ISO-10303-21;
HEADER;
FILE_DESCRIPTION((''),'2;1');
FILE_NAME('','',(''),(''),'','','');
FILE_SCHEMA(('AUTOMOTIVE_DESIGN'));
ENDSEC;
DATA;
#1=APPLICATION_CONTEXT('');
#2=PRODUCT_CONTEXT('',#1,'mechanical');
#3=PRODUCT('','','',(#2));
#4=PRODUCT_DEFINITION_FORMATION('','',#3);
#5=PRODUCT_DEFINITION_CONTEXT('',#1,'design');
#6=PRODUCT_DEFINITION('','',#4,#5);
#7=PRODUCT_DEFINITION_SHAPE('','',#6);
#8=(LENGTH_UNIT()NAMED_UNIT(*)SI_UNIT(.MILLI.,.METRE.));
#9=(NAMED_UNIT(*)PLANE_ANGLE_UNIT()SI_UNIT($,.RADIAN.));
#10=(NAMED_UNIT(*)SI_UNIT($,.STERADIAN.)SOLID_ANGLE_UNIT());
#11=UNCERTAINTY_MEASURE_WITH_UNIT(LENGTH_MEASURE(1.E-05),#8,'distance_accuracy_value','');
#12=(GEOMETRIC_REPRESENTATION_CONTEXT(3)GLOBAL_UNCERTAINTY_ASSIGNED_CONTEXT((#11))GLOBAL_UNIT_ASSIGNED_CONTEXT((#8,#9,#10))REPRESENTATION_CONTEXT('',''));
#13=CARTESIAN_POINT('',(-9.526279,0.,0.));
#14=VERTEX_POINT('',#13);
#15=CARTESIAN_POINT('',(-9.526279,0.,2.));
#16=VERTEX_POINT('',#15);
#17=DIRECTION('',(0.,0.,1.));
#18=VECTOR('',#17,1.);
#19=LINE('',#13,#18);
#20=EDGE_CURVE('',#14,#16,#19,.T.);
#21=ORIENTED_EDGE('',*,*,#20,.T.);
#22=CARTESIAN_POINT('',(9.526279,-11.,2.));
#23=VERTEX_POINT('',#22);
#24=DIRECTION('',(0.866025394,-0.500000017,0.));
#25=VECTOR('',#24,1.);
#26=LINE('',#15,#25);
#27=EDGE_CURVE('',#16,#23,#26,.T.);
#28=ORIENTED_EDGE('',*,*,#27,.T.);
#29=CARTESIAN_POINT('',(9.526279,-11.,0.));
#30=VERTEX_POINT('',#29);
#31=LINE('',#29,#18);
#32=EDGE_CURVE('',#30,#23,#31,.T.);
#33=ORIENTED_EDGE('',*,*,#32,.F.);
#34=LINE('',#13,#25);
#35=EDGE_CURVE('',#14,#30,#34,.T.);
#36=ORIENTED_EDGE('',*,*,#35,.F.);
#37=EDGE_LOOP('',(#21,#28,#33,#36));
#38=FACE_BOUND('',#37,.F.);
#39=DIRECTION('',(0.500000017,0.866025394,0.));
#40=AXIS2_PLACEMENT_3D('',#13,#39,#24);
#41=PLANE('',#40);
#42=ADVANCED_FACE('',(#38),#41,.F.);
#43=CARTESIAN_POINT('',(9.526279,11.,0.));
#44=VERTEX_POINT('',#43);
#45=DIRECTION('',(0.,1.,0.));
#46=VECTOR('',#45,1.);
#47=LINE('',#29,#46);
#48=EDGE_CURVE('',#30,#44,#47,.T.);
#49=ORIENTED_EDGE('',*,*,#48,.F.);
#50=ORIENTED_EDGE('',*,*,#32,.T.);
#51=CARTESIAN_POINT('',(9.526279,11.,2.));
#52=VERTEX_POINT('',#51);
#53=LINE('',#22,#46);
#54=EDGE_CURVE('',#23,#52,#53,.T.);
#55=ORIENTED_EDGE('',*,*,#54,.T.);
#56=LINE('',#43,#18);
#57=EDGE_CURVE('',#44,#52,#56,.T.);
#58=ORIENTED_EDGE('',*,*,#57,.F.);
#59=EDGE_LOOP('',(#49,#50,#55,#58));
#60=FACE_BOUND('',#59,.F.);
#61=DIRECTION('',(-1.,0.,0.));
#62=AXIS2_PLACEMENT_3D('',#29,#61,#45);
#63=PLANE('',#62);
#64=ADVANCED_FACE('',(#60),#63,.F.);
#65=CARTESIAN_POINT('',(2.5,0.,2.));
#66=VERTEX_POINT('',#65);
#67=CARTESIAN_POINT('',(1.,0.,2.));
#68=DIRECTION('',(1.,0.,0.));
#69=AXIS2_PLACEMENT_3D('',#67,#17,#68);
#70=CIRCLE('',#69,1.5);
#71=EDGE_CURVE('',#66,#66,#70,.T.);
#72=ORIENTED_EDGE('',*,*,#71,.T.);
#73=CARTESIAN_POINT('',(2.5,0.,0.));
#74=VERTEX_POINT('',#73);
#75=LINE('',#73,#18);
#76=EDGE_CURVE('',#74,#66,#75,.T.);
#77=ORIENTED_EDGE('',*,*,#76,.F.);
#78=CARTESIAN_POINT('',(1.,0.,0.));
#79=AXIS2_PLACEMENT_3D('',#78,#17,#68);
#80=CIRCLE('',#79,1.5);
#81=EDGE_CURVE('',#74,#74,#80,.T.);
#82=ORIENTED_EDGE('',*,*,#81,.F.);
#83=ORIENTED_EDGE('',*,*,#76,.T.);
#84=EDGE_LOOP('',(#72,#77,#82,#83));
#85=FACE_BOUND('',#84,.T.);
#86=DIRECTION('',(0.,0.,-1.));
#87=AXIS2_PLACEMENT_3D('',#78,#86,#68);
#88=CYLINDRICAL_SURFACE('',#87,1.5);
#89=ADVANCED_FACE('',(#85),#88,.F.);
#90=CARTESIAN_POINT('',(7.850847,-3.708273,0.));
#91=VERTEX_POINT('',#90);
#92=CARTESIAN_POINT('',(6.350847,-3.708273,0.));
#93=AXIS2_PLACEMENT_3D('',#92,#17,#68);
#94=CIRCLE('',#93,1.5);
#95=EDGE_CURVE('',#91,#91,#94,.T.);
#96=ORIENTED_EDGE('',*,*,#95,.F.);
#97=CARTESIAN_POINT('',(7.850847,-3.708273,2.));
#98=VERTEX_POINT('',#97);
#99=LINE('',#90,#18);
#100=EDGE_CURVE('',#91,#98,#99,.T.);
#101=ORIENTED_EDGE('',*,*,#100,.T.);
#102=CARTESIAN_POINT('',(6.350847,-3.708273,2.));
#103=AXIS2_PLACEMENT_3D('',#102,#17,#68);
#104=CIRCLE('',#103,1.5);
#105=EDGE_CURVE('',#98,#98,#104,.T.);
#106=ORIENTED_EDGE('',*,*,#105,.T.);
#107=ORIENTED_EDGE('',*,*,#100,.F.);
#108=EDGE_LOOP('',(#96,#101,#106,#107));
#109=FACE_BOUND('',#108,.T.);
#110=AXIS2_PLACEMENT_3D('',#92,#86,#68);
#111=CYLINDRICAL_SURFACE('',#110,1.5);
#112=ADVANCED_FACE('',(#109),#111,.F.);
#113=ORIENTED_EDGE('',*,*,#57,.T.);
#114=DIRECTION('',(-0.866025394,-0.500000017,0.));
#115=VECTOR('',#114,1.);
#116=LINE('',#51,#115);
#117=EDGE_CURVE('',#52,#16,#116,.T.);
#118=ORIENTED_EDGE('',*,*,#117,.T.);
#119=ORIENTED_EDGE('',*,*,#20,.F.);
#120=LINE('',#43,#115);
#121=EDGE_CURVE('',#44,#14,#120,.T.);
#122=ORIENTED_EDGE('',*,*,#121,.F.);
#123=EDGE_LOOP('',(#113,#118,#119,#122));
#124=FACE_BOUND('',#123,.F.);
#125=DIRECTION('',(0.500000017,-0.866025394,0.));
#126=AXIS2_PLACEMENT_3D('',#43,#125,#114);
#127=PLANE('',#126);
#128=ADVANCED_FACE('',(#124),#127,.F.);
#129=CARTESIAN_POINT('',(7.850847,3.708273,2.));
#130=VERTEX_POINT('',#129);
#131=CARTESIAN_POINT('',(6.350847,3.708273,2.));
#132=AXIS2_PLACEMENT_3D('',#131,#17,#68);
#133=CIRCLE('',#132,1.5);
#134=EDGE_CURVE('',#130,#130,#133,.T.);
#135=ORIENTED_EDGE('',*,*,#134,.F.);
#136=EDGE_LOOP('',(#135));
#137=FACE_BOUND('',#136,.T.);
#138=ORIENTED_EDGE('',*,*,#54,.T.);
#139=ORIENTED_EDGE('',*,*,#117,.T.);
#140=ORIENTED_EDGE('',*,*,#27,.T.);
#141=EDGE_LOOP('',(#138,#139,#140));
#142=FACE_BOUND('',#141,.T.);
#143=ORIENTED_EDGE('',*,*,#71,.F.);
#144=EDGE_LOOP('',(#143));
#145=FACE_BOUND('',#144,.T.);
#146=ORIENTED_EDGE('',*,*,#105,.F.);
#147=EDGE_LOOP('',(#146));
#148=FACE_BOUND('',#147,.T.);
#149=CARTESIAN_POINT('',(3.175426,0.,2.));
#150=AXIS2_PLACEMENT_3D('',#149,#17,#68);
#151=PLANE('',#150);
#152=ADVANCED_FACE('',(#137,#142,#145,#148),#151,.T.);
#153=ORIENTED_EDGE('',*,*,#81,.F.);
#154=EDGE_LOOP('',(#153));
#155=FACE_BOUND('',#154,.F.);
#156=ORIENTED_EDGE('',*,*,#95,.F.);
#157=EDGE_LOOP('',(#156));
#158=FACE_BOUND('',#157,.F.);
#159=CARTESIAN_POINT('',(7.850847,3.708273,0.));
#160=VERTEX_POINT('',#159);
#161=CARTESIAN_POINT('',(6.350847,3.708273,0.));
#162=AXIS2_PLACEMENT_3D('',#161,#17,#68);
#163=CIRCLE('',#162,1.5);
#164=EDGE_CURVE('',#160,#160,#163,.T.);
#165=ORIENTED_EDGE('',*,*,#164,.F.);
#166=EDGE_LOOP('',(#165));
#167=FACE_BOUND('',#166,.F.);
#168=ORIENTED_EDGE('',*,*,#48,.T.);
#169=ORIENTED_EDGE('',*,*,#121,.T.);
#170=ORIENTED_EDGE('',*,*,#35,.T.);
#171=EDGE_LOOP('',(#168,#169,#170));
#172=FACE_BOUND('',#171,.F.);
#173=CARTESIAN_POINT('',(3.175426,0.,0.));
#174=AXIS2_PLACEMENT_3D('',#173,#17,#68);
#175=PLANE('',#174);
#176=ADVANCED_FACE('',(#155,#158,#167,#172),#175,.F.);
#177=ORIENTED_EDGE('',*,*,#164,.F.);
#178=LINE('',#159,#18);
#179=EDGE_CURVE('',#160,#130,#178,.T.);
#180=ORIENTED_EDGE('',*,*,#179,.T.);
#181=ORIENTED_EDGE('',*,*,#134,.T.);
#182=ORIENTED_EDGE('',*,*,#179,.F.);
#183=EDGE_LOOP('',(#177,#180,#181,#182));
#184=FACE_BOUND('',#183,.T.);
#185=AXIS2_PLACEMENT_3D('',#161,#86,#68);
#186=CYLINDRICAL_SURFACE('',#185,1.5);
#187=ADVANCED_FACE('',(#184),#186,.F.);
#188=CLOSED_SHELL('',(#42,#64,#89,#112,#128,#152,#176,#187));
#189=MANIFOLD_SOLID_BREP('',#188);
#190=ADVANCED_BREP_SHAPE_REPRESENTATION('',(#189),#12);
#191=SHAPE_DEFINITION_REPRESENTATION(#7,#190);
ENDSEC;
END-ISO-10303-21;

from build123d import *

# Parameters (mm, degrees)
F0_R     = 1.5
F1_DEPTH = 2


with BuildPart() as f1:
    # F0 (on Top) → F1 (new body)
    with BuildSketch(Plane.XY):
        Polygon((9.526279, 11), (-9.526279, 0), (9.526279, -11), (9.526279, -10), (9.526279, 10), align=None)
        with Locations((6.350847, -3.708273)):
            Circle(F0_R, mode=Mode.SUBTRACT)
        with Locations((1, 0)):
            Circle(F0_R, mode=Mode.SUBTRACT)
        with Locations((6.350847, 3.708273)):
            Circle(F0_R, mode=Mode.SUBTRACT)
    extrude(amount=F1_DEPTH)


solid = f1.part
